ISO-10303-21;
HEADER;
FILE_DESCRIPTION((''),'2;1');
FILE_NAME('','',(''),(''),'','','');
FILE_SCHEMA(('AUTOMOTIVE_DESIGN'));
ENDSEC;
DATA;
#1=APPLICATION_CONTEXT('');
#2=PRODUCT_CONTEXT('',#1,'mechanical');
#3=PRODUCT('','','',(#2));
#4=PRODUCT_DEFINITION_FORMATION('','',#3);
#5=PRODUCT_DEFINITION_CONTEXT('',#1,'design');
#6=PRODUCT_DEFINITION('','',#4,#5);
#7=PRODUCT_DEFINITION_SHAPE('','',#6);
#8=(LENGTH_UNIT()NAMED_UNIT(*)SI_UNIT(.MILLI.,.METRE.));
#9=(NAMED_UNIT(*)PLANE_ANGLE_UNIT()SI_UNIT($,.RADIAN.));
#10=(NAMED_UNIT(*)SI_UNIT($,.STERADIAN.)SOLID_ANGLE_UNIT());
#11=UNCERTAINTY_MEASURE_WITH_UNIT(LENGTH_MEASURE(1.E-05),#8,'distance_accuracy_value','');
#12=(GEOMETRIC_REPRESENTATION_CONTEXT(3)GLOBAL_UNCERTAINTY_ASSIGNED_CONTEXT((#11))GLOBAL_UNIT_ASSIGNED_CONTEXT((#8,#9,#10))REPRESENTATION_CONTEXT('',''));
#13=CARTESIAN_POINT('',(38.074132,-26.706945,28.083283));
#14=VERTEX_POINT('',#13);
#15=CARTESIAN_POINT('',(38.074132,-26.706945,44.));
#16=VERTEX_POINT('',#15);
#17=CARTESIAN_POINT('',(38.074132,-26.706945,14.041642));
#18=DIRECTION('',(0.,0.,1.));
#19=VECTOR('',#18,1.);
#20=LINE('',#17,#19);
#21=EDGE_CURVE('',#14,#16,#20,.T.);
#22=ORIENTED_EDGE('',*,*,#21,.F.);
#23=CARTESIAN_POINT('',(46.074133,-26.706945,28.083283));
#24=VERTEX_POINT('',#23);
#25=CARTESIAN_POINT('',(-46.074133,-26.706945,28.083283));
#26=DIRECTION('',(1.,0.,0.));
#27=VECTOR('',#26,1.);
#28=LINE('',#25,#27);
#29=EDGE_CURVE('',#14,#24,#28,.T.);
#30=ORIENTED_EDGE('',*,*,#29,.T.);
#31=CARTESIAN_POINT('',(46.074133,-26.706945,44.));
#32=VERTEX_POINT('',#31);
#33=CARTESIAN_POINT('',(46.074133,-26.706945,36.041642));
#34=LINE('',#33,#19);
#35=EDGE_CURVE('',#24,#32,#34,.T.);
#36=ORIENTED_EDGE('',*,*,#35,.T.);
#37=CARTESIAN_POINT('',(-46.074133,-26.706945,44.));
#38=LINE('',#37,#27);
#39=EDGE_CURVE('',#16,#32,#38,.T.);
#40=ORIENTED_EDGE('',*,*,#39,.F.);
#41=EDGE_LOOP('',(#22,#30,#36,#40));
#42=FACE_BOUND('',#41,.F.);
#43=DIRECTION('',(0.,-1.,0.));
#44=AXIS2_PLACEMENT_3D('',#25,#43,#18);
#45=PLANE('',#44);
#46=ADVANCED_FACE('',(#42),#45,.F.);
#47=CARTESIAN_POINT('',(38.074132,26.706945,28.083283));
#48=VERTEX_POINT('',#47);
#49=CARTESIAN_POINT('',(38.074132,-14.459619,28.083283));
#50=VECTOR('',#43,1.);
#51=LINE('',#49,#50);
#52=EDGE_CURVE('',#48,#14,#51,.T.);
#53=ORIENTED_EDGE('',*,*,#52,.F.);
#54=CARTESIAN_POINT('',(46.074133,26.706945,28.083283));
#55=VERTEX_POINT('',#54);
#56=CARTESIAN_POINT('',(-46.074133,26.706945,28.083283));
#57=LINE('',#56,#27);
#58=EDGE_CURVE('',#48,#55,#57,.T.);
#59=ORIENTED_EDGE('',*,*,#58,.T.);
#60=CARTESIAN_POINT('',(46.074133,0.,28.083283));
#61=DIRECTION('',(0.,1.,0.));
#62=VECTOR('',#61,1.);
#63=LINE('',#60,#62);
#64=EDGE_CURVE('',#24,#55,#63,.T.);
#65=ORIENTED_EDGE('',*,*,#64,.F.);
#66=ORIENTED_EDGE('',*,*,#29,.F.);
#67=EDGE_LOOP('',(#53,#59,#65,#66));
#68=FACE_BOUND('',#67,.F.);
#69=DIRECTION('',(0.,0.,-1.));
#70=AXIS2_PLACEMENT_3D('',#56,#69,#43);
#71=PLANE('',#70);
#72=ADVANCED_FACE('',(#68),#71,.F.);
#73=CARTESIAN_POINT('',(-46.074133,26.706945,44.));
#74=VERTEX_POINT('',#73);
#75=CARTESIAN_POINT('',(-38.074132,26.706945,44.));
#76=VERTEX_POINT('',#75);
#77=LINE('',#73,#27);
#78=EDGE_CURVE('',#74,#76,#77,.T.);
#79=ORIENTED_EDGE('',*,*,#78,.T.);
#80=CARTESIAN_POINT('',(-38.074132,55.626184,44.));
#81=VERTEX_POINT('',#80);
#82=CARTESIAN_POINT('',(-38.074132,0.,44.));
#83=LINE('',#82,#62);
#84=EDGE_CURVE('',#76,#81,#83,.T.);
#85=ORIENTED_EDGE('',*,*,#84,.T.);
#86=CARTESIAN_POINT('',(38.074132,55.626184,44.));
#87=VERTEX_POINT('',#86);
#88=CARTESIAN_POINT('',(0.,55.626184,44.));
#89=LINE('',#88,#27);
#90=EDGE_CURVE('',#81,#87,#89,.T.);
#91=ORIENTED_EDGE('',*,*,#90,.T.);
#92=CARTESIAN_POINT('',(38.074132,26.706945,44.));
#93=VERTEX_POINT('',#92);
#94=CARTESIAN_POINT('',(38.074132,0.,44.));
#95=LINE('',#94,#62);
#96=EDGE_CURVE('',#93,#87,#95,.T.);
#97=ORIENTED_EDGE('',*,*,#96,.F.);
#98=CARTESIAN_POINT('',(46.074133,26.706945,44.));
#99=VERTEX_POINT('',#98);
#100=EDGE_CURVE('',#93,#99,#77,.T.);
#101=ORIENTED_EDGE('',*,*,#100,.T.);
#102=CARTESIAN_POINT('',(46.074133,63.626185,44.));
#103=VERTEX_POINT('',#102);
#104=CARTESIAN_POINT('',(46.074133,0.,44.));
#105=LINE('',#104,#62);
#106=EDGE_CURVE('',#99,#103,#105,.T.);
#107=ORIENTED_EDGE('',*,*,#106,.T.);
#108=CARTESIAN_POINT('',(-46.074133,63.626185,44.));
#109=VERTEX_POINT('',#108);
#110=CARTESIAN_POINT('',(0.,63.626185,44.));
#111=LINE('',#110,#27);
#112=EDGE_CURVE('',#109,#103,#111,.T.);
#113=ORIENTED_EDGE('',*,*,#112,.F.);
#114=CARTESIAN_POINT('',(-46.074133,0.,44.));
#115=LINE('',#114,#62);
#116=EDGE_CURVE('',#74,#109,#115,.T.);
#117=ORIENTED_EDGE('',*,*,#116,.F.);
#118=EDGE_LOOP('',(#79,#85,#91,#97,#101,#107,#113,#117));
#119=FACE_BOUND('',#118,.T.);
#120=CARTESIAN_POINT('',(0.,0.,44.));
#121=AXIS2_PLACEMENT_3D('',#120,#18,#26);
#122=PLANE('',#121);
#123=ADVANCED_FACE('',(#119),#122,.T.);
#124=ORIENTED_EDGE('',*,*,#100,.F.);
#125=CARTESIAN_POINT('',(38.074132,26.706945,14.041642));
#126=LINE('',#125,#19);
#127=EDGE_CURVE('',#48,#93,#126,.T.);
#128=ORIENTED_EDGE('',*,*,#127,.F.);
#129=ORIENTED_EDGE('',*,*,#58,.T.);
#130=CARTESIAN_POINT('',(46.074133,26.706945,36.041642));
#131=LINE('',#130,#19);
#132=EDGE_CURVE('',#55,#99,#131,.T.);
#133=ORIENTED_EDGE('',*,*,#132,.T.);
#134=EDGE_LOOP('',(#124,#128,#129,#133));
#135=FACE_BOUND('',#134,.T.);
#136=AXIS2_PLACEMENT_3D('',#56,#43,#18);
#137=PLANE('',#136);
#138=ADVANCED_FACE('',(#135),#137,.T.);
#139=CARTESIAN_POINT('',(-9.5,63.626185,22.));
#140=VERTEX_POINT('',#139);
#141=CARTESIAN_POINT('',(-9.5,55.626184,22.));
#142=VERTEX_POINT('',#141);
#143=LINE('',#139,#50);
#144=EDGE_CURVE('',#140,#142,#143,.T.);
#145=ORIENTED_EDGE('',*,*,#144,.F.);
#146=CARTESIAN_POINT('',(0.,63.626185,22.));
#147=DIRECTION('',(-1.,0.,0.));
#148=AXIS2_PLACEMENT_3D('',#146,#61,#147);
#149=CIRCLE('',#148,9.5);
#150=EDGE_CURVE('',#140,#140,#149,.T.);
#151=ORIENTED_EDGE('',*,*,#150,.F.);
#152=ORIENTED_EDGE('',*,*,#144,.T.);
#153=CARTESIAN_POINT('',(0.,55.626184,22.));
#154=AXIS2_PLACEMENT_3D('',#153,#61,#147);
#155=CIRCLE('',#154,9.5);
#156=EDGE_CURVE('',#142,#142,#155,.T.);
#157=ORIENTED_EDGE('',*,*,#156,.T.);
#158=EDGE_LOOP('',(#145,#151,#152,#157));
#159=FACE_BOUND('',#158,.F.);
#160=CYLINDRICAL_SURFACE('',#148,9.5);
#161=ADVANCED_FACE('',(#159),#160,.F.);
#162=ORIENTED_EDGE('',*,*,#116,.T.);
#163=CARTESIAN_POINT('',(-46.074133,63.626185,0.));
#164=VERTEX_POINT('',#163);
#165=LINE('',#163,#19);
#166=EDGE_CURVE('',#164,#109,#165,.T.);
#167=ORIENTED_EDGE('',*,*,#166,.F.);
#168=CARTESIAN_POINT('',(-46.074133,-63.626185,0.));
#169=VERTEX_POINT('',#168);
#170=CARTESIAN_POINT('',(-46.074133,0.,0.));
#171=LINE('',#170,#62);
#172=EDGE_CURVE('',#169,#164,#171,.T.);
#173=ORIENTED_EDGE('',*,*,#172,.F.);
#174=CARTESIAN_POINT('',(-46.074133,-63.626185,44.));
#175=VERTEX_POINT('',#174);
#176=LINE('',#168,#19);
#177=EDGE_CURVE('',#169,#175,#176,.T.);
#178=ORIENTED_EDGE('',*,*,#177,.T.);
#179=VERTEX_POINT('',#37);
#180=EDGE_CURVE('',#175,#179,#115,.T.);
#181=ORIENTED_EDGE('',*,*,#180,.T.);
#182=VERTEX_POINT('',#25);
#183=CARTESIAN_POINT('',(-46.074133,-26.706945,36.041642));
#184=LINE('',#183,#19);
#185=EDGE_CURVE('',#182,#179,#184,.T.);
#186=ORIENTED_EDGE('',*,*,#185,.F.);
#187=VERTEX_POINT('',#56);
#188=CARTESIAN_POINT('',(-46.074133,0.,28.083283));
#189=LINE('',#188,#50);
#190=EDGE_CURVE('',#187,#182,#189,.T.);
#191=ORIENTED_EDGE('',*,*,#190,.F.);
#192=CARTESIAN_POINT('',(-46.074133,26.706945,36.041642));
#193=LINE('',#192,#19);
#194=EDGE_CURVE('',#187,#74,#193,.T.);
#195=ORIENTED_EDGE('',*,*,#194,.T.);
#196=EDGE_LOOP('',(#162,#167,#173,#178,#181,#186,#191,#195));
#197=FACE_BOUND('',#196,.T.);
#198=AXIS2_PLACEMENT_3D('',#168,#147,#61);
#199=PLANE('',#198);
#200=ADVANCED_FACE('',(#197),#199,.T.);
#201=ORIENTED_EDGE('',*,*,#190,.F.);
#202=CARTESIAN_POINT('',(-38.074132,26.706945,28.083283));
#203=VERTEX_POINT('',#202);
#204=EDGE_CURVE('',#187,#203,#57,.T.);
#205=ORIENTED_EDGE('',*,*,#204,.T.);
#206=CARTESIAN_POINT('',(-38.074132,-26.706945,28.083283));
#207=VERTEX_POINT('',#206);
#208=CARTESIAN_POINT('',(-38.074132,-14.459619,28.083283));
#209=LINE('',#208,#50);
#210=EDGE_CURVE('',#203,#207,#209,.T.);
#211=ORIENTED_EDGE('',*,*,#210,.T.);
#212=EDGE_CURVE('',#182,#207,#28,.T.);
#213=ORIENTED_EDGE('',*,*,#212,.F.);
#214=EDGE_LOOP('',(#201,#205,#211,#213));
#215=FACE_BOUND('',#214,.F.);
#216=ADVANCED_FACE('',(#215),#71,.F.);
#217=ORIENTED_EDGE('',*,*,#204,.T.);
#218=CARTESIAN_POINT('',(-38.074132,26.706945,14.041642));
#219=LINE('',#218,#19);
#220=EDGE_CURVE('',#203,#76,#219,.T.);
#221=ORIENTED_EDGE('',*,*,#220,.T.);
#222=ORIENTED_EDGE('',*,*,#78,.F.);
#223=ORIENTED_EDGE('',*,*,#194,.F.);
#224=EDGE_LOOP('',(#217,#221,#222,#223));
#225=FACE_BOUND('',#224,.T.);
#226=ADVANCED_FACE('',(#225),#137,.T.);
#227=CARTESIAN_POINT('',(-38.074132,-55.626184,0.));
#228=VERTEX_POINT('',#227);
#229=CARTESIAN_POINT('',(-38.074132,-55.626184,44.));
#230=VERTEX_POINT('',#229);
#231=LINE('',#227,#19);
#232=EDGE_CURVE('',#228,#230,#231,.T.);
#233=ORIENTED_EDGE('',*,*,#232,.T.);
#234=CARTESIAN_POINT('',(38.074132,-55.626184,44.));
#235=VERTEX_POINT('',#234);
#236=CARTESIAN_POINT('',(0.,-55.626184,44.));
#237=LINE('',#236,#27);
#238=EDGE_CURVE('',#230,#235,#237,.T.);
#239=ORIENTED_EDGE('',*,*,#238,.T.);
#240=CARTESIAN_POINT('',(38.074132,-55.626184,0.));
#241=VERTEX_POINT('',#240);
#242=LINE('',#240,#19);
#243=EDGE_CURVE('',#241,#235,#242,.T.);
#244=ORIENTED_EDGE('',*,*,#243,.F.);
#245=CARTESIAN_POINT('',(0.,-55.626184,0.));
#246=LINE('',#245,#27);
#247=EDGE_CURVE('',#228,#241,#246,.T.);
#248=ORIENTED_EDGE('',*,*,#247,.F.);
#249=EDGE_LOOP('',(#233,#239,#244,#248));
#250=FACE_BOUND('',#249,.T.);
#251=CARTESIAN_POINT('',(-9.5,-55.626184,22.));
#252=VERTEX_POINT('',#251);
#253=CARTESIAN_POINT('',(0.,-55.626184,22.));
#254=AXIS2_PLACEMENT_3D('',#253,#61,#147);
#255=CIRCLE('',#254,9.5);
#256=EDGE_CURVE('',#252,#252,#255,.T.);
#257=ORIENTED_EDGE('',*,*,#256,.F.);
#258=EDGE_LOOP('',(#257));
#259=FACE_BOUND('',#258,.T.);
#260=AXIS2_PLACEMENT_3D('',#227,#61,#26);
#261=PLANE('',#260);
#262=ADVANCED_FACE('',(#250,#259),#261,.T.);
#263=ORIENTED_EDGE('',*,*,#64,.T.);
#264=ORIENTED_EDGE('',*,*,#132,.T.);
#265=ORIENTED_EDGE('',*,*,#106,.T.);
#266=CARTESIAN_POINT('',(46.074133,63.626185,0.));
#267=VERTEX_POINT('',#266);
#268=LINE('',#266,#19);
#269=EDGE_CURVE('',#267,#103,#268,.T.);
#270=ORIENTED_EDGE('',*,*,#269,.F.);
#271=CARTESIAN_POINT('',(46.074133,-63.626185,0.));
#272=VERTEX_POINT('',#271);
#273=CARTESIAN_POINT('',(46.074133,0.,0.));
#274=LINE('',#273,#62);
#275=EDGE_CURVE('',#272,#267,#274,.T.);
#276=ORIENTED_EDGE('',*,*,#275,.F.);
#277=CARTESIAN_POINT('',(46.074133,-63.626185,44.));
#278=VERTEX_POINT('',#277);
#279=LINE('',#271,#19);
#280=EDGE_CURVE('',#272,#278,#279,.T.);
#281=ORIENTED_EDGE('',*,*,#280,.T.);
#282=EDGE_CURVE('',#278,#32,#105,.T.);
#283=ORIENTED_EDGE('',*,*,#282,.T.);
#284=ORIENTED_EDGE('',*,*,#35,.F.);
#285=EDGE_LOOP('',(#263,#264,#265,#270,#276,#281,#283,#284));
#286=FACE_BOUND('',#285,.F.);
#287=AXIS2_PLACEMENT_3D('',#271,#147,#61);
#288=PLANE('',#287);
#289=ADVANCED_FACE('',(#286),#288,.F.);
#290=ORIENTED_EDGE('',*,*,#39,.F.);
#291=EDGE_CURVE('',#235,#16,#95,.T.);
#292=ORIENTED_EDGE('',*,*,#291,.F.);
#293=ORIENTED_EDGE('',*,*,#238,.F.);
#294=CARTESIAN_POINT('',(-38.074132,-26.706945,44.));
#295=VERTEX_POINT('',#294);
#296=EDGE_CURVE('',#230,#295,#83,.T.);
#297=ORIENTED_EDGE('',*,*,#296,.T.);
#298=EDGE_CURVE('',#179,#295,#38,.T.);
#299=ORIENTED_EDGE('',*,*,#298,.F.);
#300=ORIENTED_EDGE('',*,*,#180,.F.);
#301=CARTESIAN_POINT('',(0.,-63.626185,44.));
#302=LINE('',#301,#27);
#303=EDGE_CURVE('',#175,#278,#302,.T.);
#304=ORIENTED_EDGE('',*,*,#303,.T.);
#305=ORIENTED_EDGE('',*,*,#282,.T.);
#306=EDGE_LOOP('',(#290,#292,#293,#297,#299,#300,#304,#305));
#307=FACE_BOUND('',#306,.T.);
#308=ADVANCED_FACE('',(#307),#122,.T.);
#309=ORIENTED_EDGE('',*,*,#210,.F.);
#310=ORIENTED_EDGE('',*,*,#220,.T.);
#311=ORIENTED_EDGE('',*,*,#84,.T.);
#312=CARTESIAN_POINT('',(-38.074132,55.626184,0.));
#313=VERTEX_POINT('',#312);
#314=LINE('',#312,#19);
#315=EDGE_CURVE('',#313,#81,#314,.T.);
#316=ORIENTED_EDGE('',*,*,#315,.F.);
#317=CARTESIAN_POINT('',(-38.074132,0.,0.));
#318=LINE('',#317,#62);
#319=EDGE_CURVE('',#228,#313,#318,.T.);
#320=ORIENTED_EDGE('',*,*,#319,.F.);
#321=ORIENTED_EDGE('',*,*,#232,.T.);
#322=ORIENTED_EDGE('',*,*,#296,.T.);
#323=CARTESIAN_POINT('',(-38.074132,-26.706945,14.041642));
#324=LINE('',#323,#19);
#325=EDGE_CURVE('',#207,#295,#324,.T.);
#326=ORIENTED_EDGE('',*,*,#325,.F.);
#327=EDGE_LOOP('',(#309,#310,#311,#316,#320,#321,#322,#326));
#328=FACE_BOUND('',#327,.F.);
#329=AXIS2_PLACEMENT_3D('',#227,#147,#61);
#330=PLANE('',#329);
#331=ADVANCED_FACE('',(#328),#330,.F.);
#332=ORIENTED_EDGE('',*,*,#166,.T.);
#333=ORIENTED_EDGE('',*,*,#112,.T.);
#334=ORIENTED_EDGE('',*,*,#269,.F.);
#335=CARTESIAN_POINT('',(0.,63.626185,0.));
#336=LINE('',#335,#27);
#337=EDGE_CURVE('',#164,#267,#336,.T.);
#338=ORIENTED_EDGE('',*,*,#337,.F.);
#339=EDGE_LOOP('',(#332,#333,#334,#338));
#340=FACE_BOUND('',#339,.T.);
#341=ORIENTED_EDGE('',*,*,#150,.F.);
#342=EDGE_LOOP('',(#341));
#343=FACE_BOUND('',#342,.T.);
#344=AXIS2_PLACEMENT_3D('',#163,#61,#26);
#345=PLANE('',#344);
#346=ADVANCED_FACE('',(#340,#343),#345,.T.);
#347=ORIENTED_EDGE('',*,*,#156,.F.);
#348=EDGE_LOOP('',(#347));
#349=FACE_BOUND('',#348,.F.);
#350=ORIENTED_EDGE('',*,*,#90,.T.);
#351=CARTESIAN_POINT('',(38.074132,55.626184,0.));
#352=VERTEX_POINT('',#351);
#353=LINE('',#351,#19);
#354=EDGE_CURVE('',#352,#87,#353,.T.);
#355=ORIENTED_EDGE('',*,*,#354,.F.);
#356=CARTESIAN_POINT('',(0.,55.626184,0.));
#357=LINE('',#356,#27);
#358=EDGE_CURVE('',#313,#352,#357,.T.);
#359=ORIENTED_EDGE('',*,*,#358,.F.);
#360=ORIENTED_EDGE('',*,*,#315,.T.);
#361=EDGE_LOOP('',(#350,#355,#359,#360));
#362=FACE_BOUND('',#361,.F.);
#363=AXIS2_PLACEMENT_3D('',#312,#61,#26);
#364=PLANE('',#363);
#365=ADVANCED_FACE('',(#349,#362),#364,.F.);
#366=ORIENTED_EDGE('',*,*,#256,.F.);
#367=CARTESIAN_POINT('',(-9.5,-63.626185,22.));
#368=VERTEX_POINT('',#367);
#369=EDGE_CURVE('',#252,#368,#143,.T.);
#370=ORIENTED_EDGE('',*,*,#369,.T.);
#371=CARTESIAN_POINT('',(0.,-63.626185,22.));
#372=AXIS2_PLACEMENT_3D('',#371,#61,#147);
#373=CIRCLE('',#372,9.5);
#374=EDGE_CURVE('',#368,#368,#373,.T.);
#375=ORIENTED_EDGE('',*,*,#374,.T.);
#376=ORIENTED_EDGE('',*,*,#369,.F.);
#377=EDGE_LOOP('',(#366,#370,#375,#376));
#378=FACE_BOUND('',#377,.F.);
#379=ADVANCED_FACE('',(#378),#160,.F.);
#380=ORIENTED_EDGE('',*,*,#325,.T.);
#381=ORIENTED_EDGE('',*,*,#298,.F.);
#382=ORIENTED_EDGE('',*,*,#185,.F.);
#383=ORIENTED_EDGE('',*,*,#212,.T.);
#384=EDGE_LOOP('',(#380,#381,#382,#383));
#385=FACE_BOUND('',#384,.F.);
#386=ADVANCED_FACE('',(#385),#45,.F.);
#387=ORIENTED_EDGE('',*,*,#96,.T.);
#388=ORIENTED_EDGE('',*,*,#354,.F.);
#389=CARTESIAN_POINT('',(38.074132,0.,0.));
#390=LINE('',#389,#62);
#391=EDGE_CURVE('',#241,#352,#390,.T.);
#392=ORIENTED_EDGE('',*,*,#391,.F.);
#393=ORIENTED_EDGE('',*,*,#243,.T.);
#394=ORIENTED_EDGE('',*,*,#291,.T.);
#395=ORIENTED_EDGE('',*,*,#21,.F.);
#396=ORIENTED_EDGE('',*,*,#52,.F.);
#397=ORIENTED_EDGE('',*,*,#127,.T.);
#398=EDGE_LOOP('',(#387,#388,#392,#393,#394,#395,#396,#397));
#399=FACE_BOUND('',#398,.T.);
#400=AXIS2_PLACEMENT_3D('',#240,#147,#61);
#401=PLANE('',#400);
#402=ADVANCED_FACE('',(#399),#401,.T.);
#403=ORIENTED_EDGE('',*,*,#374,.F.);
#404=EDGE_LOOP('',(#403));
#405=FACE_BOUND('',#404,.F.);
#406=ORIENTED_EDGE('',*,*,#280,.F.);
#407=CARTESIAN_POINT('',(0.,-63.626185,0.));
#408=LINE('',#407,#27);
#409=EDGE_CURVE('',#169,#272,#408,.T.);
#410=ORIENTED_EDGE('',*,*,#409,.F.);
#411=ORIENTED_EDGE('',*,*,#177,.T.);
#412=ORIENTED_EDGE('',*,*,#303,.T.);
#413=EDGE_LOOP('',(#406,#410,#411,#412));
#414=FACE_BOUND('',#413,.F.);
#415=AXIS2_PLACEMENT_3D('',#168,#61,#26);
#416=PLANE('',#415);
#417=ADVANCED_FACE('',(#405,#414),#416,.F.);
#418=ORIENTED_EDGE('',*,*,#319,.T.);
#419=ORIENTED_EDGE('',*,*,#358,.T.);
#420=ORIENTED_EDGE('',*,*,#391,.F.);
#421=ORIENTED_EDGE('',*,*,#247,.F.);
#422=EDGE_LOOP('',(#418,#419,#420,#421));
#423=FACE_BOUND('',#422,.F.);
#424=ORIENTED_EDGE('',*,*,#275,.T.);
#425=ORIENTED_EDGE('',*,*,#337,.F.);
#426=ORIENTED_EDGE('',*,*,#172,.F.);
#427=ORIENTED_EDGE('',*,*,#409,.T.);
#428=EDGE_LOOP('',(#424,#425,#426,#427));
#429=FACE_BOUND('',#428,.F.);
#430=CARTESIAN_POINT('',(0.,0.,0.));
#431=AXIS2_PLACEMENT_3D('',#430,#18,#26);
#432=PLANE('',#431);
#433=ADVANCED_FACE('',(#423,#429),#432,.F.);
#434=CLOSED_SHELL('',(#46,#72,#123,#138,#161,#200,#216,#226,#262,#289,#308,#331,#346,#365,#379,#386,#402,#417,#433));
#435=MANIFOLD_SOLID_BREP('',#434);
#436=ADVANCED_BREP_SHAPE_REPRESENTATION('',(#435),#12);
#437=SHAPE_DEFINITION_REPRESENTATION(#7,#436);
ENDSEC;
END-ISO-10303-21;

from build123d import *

# Parameters (mm, degrees)
F0_W     = 92.1482667327
F0_H     = 127.2523701191
F0_W_2   = 76.1482641101
F0_H_2   = 111.2523674965
F1_DEPTH = 44
F3_W     = 53.4138903022
F3_H     = 15.9167165458
F2_W     = 53.4138903022
F2_H     = 15.9167165458
F4_DEPTH = 146.8
F6_R     = 9.5
F5_R     = 9.5
F7_DEPTH = 171.1


with BuildPart() as f1:
    # F0 (on Top) → F1 (new body)
    with BuildSketch(Plane.XY):
        Rectangle(F0_W, F0_H)
        Rectangle(F0_W_2, F0_H_2, mode=Mode.SUBTRACT)
    extrude(amount=F1_DEPTH)

    # F3 (on face) + F2 (on face) → F4 (cut)
    with BuildSketch(Plane(origin=(-46.0741333663, 0, 0), x_dir=(0, -1, 0), z_dir=(-1, 0, 0))):
        with Locations((0, 36.0416417271)):
            Rectangle(F3_W, F3_H)
    with BuildSketch(Plane.YZ.offset(46.0741333663)):
        with Locations((0, 36.0416417271)):
            Rectangle(F2_W, F2_H)
    extrude(amount=-F4_DEPTH, dir=(-1, 0, 0), mode=Mode.SUBTRACT)

    # F6 (on face) + F5 (on face) → F7 (cut)
    with BuildSketch(Plane(origin=(0, 63.6261850595, 0), x_dir=(-1, 0, 0), z_dir=(0, 1, 0))):
        with Locations((0, 22)):
            Circle(F6_R)
    with BuildSketch(Plane.XZ.offset(63.6261850595)):
        with Locations((0, 22)):
            Circle(F5_R)
    extrude(amount=-F7_DEPTH, dir=(0, 1, 0), mode=Mode.SUBTRACT)


solid = f1.part
